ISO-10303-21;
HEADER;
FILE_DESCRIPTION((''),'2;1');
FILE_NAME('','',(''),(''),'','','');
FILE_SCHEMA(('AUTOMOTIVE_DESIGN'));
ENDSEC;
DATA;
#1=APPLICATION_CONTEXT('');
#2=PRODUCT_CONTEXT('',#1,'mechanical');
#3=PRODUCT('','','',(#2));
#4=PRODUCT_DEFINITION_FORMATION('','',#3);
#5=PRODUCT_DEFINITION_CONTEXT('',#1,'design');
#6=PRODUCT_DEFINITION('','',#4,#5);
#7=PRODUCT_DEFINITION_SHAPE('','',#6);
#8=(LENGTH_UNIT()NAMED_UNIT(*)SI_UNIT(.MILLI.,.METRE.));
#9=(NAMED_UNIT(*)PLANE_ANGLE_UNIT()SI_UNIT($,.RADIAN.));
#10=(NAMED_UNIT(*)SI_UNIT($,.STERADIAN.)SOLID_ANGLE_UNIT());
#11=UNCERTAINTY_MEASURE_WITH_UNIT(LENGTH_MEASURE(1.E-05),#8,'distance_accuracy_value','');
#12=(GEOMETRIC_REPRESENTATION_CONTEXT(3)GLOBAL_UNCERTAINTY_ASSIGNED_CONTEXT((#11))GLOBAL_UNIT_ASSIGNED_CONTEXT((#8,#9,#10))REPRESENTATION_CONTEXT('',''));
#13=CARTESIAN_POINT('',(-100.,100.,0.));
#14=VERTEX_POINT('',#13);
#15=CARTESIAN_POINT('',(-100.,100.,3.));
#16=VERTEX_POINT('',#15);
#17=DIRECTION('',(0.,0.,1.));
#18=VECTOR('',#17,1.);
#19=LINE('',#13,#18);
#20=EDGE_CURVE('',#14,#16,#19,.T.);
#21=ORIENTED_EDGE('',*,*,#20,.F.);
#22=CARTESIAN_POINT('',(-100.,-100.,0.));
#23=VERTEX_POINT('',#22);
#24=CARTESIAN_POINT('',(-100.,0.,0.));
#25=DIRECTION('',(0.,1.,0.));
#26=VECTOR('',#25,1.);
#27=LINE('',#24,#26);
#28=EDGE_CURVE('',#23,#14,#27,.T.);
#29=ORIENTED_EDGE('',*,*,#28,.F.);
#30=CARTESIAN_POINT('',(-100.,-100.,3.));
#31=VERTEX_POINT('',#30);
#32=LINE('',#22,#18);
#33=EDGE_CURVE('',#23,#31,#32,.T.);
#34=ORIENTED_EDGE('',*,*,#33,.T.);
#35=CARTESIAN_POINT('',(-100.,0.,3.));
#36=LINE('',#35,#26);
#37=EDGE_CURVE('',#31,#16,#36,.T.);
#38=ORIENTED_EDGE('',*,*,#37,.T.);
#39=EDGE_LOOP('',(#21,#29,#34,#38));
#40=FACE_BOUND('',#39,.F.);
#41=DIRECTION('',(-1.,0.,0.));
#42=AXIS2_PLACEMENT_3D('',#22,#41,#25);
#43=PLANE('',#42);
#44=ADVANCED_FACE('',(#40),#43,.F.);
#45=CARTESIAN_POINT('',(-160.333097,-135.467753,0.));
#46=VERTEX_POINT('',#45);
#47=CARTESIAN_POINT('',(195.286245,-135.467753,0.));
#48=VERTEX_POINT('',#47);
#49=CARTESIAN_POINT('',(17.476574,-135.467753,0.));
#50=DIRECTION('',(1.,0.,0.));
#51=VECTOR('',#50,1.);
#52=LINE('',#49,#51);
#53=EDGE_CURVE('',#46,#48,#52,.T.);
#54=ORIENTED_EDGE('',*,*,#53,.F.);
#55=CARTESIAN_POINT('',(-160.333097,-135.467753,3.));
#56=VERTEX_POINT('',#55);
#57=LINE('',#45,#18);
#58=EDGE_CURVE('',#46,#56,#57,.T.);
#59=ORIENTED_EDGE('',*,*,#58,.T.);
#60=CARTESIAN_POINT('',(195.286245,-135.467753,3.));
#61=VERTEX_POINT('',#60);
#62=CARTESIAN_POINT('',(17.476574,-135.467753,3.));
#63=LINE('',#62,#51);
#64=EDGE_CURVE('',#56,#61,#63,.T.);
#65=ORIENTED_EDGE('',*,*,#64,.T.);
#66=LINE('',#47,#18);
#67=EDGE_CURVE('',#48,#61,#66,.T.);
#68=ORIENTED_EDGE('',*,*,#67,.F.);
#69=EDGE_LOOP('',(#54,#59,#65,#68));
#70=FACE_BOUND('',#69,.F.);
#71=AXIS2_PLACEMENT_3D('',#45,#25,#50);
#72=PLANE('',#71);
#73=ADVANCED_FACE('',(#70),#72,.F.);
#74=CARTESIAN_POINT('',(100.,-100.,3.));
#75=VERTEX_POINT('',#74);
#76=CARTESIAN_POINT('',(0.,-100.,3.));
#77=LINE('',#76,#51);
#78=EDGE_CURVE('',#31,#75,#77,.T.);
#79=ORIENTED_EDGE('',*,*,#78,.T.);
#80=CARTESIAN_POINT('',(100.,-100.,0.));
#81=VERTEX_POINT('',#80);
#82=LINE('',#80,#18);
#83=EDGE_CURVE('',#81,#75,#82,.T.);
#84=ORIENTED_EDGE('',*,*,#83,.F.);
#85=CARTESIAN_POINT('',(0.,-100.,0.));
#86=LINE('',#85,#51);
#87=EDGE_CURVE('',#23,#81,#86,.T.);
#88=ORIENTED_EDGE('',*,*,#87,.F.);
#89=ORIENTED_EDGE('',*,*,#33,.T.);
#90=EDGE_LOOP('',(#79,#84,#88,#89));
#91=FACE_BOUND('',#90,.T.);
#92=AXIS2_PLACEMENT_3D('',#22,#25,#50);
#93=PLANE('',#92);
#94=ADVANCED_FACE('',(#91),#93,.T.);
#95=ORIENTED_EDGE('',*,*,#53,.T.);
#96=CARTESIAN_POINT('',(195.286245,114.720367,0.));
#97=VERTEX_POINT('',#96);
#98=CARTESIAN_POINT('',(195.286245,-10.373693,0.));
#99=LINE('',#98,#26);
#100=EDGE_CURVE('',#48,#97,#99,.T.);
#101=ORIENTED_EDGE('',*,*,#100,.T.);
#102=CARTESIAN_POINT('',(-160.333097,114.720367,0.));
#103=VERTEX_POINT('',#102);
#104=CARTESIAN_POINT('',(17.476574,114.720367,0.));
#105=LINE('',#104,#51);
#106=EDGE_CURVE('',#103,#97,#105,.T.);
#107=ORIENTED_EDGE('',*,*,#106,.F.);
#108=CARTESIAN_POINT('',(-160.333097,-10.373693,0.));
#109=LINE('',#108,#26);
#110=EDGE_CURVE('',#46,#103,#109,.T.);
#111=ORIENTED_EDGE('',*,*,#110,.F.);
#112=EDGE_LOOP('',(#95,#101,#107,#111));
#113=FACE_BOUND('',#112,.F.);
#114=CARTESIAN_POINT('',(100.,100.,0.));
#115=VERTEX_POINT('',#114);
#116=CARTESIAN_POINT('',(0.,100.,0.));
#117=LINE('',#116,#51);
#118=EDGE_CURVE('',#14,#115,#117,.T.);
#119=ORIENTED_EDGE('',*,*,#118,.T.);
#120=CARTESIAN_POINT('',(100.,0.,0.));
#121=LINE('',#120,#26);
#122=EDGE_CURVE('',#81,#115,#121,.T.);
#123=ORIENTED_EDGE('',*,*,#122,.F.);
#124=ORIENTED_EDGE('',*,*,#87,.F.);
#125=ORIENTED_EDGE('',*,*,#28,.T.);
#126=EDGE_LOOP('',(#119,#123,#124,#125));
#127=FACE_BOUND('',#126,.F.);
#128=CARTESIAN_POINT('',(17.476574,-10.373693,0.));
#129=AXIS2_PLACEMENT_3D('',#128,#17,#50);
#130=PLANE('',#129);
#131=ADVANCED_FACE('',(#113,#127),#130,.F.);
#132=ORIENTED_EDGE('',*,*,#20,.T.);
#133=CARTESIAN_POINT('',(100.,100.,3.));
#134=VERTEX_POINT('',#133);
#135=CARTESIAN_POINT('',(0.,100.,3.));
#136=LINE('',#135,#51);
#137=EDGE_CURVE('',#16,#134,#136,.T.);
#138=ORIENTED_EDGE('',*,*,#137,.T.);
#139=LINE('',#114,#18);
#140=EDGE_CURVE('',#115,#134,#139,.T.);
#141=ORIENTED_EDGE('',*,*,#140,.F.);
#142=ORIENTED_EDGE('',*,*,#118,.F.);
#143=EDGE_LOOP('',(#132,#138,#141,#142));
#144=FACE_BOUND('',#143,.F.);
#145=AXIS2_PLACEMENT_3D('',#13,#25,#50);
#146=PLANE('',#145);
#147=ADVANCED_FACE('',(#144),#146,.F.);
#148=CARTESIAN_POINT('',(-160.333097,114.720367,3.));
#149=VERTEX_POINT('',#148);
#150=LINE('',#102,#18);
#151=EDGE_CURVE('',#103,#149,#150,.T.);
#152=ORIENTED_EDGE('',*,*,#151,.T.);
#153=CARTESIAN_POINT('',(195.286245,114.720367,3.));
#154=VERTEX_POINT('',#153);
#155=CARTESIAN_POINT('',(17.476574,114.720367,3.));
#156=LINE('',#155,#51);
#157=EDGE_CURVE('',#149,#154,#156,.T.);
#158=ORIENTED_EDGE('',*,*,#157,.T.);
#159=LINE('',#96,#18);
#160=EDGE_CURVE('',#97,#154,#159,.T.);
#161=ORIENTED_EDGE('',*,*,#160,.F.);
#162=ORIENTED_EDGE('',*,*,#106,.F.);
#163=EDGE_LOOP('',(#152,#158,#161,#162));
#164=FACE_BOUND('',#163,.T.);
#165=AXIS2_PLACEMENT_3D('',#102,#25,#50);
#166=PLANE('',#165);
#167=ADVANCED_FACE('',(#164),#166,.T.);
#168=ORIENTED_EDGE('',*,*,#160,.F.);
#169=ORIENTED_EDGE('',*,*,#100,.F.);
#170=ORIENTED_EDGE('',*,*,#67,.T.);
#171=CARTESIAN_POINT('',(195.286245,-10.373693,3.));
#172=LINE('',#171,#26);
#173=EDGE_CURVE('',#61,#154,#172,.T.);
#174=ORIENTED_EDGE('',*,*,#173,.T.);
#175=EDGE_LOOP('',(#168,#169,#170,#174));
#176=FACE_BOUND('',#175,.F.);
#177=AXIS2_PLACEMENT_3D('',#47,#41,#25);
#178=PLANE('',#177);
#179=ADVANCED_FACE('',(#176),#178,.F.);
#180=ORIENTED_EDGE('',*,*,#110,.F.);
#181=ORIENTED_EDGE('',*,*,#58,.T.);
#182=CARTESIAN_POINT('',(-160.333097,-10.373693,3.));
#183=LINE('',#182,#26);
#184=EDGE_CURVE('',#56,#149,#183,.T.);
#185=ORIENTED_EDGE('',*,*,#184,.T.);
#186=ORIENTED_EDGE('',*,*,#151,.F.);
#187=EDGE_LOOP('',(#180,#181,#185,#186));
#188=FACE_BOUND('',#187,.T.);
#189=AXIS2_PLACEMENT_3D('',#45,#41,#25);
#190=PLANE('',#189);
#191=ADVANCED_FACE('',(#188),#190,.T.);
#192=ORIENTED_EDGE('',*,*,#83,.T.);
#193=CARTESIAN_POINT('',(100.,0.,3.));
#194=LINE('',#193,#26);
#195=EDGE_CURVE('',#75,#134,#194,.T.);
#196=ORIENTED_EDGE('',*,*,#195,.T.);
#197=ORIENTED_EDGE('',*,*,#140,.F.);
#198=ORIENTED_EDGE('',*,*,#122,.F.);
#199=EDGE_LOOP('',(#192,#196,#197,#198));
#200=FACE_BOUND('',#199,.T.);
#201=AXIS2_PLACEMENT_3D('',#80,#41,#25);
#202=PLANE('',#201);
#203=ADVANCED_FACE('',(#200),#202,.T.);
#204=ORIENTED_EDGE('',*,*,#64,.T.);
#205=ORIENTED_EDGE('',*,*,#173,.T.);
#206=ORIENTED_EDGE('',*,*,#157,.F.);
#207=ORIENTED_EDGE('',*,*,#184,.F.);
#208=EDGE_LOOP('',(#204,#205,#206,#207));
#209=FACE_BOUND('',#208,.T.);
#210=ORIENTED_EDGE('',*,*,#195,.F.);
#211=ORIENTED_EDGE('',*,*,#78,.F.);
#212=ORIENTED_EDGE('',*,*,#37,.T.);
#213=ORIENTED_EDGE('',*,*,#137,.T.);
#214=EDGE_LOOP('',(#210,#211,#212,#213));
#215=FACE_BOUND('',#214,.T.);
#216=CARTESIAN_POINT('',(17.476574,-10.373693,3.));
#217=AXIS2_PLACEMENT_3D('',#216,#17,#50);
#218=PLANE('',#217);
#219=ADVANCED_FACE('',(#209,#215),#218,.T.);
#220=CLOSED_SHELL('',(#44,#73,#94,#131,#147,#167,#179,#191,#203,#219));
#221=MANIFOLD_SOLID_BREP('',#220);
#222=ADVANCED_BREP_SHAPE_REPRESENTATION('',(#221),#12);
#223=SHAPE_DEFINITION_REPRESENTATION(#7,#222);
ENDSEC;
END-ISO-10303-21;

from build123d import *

# Parameters (mm, degrees)
F0_W     = 355.619341
F0_H     = 250.18812
F0_W_2   = 200
F0_H_2   = 200
F1_DEPTH = 3


with BuildPart() as f1:
    # F0 (on Top) → F1 (new body)
    with BuildSketch(Plane.XY):
        with Locations((17.476574, -10.373693)):
            Rectangle(F0_W, F0_H)
        Rectangle(F0_W_2, F0_H_2, mode=Mode.SUBTRACT)
    extrude(amount=F1_DEPTH)


solid = f1.part
